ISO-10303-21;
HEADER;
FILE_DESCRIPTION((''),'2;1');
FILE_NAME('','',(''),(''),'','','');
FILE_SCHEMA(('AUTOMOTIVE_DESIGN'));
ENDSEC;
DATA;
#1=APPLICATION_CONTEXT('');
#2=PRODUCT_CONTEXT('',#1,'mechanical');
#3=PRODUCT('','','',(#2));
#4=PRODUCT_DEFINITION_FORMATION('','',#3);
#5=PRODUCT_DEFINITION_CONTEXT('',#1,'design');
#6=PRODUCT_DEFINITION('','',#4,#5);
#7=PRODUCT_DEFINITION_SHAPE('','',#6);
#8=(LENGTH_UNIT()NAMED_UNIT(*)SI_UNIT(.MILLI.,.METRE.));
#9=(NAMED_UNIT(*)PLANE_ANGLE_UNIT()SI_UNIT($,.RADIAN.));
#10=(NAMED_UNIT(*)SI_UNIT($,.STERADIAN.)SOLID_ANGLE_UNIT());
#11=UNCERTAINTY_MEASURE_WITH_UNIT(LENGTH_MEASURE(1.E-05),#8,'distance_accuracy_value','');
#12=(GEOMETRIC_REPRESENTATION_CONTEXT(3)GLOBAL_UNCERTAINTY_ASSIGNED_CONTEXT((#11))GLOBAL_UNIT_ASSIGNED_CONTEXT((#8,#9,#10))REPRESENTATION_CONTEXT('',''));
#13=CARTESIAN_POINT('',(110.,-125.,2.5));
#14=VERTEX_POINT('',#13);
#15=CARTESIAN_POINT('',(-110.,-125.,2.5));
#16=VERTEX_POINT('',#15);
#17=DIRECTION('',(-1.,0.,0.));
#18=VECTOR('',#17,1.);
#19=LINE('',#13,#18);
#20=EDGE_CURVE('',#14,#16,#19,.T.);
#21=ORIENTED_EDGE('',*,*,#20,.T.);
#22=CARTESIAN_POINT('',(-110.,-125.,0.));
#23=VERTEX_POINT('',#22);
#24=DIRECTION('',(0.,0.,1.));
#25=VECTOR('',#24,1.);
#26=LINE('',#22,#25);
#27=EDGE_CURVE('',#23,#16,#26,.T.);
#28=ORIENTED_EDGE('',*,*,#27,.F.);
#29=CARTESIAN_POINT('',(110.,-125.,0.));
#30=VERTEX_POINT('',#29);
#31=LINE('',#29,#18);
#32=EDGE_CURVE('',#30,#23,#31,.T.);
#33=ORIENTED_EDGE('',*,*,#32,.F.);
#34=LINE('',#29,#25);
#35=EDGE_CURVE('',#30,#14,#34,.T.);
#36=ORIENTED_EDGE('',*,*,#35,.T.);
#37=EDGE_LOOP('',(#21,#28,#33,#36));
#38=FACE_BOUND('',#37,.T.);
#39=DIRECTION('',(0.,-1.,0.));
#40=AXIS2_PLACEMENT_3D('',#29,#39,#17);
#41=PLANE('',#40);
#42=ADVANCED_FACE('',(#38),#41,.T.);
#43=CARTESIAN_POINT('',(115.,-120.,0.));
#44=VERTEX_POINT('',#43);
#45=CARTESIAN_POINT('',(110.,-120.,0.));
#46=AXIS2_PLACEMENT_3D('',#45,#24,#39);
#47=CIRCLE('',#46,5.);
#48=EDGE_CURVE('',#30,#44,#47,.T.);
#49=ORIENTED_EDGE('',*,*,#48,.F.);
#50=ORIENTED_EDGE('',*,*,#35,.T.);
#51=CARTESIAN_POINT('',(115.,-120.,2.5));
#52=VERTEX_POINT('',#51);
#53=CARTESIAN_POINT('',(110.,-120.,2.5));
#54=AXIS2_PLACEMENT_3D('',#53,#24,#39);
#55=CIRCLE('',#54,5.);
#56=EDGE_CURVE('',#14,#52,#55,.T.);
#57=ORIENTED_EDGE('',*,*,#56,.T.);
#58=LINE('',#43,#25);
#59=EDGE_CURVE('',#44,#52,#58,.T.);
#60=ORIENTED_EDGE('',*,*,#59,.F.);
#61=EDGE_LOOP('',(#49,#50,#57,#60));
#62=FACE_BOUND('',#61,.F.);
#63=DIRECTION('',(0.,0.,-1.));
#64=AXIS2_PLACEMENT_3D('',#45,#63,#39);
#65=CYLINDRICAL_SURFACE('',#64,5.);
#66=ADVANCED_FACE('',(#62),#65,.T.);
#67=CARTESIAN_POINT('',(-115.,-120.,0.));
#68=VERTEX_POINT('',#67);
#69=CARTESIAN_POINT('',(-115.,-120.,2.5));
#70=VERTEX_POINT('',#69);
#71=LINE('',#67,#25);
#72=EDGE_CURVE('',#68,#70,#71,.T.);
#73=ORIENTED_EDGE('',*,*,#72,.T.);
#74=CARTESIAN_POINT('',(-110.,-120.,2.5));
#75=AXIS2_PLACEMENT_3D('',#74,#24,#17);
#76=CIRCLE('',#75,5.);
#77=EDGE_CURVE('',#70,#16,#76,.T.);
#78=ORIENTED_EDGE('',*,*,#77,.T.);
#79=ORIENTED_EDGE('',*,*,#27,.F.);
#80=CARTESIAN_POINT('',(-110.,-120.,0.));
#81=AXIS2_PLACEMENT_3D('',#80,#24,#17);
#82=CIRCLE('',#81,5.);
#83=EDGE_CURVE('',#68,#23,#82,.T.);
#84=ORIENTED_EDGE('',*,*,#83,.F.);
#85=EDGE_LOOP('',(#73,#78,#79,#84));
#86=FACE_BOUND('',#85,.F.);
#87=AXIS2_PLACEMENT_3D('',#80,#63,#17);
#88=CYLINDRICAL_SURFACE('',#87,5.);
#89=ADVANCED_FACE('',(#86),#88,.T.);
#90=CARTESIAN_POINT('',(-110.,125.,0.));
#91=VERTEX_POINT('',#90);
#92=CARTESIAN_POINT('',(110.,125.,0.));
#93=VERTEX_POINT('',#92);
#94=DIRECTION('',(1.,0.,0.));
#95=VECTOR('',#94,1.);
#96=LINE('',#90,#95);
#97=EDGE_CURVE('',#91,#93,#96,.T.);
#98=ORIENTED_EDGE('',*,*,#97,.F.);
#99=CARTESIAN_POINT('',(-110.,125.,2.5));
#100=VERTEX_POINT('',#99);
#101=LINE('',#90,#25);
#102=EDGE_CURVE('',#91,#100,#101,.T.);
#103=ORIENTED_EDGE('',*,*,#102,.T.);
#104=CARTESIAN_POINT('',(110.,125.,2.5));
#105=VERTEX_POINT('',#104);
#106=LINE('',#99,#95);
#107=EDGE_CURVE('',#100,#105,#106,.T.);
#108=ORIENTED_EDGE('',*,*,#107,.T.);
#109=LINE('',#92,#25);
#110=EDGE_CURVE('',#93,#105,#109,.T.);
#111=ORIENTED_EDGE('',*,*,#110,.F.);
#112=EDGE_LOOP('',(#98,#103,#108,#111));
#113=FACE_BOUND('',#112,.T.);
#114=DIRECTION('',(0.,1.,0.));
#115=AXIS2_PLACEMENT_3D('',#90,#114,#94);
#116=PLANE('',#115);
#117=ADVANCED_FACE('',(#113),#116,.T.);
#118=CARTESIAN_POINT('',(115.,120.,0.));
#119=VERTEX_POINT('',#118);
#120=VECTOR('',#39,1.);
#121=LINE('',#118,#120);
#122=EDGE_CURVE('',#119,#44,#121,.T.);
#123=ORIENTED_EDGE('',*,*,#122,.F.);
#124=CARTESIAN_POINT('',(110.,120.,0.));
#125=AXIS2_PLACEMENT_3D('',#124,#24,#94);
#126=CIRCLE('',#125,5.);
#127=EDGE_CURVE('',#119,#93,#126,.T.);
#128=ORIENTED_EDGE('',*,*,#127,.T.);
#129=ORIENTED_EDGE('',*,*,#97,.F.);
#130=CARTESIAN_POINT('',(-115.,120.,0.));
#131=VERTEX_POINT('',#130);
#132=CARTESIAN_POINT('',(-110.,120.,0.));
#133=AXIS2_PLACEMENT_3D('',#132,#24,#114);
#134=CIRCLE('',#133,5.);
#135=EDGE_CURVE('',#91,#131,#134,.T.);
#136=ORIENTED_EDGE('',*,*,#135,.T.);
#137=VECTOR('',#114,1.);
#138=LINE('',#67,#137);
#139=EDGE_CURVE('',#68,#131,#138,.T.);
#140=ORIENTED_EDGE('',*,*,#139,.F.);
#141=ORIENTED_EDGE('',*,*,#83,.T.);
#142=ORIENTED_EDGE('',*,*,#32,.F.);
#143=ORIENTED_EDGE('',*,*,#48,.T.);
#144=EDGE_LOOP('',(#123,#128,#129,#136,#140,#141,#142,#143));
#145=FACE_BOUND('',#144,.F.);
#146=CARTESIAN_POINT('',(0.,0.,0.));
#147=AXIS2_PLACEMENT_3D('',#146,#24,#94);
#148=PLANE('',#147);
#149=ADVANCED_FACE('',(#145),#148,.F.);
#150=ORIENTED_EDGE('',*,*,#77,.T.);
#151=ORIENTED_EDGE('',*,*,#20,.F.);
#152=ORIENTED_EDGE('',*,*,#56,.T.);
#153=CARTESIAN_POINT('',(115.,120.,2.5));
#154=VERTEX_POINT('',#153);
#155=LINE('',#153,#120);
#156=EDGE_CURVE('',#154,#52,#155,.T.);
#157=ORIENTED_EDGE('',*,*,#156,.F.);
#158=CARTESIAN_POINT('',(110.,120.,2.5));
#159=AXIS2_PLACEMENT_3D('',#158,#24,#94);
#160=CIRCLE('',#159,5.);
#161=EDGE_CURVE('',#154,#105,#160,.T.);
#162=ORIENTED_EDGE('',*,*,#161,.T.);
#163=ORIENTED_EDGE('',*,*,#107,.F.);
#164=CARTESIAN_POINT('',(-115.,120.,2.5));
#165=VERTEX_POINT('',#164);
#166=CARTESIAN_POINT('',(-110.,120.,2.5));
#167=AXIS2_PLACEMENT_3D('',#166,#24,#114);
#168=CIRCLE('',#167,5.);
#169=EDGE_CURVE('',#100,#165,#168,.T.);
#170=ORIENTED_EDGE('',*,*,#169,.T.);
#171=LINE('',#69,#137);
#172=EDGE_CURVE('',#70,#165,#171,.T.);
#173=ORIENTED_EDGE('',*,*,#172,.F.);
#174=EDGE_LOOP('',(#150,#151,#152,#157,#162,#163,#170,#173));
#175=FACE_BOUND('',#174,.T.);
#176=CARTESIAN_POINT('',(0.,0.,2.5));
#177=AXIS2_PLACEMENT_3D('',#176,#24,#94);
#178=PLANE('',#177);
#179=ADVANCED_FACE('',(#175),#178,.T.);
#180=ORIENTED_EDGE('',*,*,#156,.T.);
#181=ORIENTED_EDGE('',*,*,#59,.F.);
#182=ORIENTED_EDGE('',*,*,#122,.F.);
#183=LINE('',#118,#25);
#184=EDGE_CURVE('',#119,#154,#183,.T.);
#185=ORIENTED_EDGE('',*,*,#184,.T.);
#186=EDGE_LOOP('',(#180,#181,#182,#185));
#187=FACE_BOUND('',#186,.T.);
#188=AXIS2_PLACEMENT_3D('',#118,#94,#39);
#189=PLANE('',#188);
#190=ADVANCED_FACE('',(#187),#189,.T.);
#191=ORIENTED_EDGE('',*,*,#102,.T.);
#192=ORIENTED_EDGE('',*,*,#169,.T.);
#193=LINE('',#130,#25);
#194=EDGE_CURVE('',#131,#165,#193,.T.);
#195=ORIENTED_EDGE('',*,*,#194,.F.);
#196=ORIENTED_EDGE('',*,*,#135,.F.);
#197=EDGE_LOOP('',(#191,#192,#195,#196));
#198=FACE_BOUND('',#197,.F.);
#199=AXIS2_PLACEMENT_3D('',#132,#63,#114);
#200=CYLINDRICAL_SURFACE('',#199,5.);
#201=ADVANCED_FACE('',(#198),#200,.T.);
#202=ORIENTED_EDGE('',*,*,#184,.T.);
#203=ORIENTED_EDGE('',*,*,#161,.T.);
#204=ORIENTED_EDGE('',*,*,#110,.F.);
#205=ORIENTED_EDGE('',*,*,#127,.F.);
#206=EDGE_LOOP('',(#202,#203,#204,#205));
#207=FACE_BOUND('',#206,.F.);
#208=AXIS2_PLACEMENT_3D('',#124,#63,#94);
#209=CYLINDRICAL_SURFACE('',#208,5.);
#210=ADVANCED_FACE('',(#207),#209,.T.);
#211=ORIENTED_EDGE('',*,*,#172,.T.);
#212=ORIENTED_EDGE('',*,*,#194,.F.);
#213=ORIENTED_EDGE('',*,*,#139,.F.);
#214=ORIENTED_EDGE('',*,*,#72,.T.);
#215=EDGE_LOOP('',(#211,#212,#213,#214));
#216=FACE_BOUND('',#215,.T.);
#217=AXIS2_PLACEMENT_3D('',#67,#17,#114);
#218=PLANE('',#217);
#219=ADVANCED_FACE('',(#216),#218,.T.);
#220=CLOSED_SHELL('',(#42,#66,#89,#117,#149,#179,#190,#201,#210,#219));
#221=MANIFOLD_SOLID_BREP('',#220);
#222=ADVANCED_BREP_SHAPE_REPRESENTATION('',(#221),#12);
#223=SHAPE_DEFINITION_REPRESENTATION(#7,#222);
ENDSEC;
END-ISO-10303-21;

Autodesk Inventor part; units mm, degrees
ref_plane "YZ Plane" through (0, 0, 0) normal (1, 0, 0) x (0, 1, 0)
ref_plane "XZ Plane" through (0, 0, 0) normal (0, 1, 0) x (-1, 0, 0)
ref_plane "XY Plane" through (0, 0, 0) normal (0, 0, 1) x (1, 0, 0)
sketch "Sketch1" plane through (0, 0, 0) normal (0, 0, 1) x (1, 0, 0)
  line L0 (-110, 125) -> (110, 125)
  line L1 (115, 120) -> (115, -120)
  line L2 (110, -125) -> (-110, -125)
  line L3 (-115, -120) -> (-115, 120)
  line L4 (-115, 125) -> (115, -125) construction
  line L5 (115, 125) -> (-115, -125) construction
  arc A0 (-110, 125) -> (-115, 120) centre (-110, 120) ccw
  arc A1 (115, 120) -> (110, 125) centre (110, 120) ccw
  arc A2 (110, -125) -> (115, -120) centre (110, -120) ccw
  arc A3 (-115, -120) -> (-110, -125) centre (-110, -120) ccw
  point P0 (0, 0)
  dimension "d0" = 230
  dimension "d1" = 250
  dimension "d2" = 5
extrude "Extrusion1" add sketch "Sketch1" along normal blind 2.5
properties part number "BatteryPlate" material "Steel, Galvanized"
